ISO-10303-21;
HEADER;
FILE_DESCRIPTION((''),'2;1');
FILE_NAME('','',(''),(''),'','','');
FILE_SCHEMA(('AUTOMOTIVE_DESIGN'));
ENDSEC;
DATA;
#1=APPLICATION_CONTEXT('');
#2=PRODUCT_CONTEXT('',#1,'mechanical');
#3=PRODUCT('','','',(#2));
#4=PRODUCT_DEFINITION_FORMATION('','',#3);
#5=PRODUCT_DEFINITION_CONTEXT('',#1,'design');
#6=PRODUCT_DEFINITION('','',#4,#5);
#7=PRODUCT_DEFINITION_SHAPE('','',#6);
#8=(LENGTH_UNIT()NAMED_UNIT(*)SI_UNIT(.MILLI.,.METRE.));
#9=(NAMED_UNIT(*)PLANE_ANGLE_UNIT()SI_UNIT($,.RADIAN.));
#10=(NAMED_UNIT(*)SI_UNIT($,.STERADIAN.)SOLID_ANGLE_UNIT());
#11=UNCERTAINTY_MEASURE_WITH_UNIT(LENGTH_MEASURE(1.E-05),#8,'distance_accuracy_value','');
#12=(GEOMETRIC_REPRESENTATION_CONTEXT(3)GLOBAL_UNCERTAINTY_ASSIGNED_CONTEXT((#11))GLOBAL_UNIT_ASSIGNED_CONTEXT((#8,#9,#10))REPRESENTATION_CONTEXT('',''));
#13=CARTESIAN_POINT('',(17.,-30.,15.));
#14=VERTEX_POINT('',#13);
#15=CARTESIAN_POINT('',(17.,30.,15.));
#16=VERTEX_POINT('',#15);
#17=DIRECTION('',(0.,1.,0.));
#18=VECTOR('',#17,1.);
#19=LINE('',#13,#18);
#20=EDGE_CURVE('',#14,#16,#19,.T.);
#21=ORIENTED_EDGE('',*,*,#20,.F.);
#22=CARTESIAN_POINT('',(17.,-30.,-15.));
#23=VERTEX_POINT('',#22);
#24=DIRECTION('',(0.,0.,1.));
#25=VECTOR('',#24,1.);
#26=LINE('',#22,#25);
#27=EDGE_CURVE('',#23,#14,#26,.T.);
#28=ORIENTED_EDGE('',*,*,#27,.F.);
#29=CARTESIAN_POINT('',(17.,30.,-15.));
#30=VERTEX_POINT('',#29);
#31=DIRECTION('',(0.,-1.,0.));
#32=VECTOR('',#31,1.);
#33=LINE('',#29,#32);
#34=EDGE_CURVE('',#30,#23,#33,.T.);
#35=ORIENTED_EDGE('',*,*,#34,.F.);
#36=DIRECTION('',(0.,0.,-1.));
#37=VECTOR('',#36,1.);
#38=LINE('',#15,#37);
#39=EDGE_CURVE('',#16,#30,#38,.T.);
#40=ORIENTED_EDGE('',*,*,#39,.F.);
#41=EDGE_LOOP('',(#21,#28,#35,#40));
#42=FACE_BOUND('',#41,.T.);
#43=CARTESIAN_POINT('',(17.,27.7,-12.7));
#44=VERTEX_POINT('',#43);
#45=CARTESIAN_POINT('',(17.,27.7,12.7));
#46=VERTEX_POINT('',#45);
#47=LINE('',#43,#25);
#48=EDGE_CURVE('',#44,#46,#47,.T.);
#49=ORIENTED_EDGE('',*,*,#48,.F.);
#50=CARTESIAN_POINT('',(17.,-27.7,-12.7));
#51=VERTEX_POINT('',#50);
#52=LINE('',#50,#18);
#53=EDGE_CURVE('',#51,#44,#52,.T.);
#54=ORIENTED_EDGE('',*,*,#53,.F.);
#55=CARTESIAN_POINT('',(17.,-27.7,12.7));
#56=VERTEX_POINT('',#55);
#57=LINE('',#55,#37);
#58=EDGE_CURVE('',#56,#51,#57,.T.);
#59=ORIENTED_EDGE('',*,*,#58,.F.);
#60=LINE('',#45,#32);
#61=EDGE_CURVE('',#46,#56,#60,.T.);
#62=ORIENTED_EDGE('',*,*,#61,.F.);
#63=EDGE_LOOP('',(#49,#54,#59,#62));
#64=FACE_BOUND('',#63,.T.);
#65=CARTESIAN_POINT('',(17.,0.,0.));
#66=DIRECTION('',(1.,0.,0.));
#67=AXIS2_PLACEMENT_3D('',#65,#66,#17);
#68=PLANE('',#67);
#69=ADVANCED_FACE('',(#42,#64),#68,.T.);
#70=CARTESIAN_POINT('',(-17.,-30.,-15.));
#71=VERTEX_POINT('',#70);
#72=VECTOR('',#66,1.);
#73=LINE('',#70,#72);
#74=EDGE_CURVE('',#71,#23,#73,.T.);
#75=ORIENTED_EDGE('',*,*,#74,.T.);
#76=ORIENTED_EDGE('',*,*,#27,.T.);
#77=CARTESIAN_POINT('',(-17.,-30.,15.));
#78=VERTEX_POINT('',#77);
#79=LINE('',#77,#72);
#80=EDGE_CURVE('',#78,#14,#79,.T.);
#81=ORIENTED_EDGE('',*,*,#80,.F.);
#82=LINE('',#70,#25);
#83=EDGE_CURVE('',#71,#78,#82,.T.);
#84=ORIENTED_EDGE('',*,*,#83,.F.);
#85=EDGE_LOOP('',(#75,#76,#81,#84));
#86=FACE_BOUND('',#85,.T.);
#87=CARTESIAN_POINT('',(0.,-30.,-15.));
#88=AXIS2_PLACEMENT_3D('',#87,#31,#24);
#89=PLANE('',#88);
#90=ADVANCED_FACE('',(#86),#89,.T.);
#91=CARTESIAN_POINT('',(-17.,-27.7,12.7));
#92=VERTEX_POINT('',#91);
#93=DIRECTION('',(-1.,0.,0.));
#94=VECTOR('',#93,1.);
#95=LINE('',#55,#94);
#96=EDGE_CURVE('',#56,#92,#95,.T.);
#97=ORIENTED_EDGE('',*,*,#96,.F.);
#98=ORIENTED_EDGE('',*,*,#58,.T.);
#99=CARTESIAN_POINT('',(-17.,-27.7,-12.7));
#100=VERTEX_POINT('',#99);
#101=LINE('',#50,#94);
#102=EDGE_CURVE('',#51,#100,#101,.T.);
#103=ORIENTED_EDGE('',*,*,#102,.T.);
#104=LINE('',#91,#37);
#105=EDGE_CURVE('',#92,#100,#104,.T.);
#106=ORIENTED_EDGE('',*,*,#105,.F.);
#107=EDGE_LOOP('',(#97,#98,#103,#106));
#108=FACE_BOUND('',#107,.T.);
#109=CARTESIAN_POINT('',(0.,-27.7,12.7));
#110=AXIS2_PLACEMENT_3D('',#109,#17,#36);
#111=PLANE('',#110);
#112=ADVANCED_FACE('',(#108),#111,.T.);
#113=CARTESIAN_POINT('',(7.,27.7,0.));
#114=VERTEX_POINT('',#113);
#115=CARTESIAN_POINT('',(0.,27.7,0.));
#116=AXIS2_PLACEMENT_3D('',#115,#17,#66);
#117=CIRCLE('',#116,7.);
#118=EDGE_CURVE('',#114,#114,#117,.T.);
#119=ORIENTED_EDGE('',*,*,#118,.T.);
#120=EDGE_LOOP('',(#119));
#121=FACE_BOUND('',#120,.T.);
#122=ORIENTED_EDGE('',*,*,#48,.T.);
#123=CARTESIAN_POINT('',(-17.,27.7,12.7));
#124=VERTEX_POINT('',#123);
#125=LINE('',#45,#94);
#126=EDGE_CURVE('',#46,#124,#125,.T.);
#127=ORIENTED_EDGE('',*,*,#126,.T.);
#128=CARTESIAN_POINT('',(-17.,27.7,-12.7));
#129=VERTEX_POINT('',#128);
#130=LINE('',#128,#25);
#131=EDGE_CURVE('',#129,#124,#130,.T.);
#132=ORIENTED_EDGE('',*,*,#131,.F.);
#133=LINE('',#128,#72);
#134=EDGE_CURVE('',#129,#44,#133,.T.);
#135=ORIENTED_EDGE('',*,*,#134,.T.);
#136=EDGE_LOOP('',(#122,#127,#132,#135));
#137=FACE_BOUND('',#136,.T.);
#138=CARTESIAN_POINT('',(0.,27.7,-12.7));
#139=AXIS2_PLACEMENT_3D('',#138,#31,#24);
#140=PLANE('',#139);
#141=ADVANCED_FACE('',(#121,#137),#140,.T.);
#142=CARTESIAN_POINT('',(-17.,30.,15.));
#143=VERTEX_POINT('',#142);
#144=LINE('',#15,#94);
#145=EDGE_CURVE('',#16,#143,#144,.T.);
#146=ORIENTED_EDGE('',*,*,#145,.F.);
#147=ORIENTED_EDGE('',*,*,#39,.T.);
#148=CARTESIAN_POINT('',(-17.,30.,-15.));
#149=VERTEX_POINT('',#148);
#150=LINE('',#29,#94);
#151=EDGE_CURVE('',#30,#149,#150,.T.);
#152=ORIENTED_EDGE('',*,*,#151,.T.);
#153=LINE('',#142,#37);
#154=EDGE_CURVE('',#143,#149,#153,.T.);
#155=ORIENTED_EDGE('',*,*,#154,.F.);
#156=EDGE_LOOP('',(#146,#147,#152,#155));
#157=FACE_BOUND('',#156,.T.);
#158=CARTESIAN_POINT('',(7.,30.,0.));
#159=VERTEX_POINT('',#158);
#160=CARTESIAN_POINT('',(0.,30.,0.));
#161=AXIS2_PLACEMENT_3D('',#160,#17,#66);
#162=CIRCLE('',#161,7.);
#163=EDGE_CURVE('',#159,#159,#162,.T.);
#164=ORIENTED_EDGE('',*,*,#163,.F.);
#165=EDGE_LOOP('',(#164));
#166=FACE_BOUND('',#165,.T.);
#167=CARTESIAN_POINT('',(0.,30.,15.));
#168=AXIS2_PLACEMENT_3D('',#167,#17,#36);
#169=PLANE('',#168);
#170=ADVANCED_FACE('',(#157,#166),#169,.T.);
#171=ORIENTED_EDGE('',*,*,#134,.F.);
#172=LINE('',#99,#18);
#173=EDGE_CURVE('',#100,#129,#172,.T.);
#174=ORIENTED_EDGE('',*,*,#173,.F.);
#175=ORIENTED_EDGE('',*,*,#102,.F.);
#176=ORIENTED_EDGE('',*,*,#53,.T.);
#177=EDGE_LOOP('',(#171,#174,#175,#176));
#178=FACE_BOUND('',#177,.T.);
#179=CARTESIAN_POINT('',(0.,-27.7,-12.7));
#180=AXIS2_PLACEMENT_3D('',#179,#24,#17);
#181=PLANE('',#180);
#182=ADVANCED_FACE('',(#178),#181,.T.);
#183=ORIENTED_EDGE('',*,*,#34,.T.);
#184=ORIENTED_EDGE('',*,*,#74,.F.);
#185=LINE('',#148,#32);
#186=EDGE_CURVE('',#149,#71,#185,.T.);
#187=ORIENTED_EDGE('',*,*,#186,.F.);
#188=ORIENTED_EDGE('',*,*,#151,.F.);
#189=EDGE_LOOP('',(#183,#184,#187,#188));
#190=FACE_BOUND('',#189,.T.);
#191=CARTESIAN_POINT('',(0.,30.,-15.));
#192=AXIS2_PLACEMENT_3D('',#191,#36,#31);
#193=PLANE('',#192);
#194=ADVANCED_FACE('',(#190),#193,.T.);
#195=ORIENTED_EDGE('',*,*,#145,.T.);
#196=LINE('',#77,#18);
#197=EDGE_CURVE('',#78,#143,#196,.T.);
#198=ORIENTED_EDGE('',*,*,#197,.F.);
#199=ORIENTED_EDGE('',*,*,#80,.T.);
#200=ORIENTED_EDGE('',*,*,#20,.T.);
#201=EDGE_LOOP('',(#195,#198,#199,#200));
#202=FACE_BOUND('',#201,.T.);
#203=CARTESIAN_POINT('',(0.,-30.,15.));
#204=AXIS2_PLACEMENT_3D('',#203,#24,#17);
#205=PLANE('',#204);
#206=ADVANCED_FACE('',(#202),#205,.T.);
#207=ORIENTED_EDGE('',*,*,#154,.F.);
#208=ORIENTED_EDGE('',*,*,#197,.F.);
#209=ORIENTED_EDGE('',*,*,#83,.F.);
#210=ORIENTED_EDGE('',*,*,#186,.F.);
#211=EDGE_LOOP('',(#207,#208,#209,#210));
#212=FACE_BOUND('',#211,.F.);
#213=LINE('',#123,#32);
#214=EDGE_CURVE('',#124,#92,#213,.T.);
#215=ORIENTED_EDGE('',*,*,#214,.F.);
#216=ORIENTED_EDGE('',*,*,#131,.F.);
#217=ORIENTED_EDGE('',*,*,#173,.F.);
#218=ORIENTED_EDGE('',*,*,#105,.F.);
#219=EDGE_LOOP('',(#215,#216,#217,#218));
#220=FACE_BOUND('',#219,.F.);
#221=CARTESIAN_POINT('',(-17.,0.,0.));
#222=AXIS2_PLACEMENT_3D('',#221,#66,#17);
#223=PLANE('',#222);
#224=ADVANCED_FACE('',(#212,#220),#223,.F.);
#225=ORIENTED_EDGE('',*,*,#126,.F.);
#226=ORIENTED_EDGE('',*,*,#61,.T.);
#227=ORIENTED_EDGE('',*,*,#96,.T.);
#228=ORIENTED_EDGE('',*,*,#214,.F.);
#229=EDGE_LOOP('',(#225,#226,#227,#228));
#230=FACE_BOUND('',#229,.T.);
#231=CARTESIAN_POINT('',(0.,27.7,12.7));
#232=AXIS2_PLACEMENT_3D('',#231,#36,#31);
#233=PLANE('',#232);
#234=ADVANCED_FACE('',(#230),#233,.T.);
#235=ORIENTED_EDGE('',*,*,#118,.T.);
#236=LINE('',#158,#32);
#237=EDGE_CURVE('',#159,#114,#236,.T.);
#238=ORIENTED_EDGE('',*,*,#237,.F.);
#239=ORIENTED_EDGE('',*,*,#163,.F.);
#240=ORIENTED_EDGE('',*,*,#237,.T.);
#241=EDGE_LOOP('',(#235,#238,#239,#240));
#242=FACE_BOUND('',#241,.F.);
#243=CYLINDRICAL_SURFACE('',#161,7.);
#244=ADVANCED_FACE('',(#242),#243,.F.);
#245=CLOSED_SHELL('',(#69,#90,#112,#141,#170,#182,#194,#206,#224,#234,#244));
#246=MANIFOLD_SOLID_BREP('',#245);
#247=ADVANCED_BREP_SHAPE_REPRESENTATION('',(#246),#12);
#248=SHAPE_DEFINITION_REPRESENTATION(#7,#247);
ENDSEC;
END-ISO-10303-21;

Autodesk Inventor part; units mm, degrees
ref_plane "YZ Plane" through (0, 0, 0) normal (1, 0, 0) x (0, 1, 0)
ref_plane "XZ Plane" through (0, 0, 0) normal (0, 1, 0) x (-1, 0, 0)
ref_plane "XY Plane" through (0, 0, 0) normal (0, 0, 1) x (1, 0, 0)
sketch "スケッチ1" plane through (0, 0, 0) normal (1, 0, 0) x (0, 1, 0)
  line L0 (-30, 15) -> (30, 15)
  line L1 (30, 15) -> (30, -15)
  line L2 (30, -15) -> (-30, -15)
  line L3 (-30, -15) -> (-30, 15)
  line L4 (-30, 15) -> (30, -15) construction
  line L5 (30, 15) -> (-30, -15) construction
  line L6 (27.7, -12.7) -> (27.7, 12.7)
  line L7 (27.7, 12.7) -> (-27.7, 12.7)
  line L8 (-27.7, 12.7) -> (-27.7, -12.7)
  line L9 (-27.7, -12.7) -> (27.7, -12.7)
  point P0 (0, 0)
  dimension "d0" = 60
  dimension "d1" = 30
  dimension "d2" = 2.3
extrude "押し出し1" add sketch "スケッチ1" along normal mid plane 34
sketch "スケッチ2" plane through (-17, 30, 15) normal (0, 1, 0) x (1, 0, 0)
  line L0 (0, 0) -> (0, 30) projected
  circle A0 centre (17, 15) radius 7
  line L1 (34, 0) -> (0, 0) projected
  point P0 (17, 15)
  dimension "d6" = 14
  dimension "d7" = 17
  dimension "d10" = 15
extrude "押し出し2" cut sketch "スケッチ2" against normal blind 5
properties part number "車軸受け2"
